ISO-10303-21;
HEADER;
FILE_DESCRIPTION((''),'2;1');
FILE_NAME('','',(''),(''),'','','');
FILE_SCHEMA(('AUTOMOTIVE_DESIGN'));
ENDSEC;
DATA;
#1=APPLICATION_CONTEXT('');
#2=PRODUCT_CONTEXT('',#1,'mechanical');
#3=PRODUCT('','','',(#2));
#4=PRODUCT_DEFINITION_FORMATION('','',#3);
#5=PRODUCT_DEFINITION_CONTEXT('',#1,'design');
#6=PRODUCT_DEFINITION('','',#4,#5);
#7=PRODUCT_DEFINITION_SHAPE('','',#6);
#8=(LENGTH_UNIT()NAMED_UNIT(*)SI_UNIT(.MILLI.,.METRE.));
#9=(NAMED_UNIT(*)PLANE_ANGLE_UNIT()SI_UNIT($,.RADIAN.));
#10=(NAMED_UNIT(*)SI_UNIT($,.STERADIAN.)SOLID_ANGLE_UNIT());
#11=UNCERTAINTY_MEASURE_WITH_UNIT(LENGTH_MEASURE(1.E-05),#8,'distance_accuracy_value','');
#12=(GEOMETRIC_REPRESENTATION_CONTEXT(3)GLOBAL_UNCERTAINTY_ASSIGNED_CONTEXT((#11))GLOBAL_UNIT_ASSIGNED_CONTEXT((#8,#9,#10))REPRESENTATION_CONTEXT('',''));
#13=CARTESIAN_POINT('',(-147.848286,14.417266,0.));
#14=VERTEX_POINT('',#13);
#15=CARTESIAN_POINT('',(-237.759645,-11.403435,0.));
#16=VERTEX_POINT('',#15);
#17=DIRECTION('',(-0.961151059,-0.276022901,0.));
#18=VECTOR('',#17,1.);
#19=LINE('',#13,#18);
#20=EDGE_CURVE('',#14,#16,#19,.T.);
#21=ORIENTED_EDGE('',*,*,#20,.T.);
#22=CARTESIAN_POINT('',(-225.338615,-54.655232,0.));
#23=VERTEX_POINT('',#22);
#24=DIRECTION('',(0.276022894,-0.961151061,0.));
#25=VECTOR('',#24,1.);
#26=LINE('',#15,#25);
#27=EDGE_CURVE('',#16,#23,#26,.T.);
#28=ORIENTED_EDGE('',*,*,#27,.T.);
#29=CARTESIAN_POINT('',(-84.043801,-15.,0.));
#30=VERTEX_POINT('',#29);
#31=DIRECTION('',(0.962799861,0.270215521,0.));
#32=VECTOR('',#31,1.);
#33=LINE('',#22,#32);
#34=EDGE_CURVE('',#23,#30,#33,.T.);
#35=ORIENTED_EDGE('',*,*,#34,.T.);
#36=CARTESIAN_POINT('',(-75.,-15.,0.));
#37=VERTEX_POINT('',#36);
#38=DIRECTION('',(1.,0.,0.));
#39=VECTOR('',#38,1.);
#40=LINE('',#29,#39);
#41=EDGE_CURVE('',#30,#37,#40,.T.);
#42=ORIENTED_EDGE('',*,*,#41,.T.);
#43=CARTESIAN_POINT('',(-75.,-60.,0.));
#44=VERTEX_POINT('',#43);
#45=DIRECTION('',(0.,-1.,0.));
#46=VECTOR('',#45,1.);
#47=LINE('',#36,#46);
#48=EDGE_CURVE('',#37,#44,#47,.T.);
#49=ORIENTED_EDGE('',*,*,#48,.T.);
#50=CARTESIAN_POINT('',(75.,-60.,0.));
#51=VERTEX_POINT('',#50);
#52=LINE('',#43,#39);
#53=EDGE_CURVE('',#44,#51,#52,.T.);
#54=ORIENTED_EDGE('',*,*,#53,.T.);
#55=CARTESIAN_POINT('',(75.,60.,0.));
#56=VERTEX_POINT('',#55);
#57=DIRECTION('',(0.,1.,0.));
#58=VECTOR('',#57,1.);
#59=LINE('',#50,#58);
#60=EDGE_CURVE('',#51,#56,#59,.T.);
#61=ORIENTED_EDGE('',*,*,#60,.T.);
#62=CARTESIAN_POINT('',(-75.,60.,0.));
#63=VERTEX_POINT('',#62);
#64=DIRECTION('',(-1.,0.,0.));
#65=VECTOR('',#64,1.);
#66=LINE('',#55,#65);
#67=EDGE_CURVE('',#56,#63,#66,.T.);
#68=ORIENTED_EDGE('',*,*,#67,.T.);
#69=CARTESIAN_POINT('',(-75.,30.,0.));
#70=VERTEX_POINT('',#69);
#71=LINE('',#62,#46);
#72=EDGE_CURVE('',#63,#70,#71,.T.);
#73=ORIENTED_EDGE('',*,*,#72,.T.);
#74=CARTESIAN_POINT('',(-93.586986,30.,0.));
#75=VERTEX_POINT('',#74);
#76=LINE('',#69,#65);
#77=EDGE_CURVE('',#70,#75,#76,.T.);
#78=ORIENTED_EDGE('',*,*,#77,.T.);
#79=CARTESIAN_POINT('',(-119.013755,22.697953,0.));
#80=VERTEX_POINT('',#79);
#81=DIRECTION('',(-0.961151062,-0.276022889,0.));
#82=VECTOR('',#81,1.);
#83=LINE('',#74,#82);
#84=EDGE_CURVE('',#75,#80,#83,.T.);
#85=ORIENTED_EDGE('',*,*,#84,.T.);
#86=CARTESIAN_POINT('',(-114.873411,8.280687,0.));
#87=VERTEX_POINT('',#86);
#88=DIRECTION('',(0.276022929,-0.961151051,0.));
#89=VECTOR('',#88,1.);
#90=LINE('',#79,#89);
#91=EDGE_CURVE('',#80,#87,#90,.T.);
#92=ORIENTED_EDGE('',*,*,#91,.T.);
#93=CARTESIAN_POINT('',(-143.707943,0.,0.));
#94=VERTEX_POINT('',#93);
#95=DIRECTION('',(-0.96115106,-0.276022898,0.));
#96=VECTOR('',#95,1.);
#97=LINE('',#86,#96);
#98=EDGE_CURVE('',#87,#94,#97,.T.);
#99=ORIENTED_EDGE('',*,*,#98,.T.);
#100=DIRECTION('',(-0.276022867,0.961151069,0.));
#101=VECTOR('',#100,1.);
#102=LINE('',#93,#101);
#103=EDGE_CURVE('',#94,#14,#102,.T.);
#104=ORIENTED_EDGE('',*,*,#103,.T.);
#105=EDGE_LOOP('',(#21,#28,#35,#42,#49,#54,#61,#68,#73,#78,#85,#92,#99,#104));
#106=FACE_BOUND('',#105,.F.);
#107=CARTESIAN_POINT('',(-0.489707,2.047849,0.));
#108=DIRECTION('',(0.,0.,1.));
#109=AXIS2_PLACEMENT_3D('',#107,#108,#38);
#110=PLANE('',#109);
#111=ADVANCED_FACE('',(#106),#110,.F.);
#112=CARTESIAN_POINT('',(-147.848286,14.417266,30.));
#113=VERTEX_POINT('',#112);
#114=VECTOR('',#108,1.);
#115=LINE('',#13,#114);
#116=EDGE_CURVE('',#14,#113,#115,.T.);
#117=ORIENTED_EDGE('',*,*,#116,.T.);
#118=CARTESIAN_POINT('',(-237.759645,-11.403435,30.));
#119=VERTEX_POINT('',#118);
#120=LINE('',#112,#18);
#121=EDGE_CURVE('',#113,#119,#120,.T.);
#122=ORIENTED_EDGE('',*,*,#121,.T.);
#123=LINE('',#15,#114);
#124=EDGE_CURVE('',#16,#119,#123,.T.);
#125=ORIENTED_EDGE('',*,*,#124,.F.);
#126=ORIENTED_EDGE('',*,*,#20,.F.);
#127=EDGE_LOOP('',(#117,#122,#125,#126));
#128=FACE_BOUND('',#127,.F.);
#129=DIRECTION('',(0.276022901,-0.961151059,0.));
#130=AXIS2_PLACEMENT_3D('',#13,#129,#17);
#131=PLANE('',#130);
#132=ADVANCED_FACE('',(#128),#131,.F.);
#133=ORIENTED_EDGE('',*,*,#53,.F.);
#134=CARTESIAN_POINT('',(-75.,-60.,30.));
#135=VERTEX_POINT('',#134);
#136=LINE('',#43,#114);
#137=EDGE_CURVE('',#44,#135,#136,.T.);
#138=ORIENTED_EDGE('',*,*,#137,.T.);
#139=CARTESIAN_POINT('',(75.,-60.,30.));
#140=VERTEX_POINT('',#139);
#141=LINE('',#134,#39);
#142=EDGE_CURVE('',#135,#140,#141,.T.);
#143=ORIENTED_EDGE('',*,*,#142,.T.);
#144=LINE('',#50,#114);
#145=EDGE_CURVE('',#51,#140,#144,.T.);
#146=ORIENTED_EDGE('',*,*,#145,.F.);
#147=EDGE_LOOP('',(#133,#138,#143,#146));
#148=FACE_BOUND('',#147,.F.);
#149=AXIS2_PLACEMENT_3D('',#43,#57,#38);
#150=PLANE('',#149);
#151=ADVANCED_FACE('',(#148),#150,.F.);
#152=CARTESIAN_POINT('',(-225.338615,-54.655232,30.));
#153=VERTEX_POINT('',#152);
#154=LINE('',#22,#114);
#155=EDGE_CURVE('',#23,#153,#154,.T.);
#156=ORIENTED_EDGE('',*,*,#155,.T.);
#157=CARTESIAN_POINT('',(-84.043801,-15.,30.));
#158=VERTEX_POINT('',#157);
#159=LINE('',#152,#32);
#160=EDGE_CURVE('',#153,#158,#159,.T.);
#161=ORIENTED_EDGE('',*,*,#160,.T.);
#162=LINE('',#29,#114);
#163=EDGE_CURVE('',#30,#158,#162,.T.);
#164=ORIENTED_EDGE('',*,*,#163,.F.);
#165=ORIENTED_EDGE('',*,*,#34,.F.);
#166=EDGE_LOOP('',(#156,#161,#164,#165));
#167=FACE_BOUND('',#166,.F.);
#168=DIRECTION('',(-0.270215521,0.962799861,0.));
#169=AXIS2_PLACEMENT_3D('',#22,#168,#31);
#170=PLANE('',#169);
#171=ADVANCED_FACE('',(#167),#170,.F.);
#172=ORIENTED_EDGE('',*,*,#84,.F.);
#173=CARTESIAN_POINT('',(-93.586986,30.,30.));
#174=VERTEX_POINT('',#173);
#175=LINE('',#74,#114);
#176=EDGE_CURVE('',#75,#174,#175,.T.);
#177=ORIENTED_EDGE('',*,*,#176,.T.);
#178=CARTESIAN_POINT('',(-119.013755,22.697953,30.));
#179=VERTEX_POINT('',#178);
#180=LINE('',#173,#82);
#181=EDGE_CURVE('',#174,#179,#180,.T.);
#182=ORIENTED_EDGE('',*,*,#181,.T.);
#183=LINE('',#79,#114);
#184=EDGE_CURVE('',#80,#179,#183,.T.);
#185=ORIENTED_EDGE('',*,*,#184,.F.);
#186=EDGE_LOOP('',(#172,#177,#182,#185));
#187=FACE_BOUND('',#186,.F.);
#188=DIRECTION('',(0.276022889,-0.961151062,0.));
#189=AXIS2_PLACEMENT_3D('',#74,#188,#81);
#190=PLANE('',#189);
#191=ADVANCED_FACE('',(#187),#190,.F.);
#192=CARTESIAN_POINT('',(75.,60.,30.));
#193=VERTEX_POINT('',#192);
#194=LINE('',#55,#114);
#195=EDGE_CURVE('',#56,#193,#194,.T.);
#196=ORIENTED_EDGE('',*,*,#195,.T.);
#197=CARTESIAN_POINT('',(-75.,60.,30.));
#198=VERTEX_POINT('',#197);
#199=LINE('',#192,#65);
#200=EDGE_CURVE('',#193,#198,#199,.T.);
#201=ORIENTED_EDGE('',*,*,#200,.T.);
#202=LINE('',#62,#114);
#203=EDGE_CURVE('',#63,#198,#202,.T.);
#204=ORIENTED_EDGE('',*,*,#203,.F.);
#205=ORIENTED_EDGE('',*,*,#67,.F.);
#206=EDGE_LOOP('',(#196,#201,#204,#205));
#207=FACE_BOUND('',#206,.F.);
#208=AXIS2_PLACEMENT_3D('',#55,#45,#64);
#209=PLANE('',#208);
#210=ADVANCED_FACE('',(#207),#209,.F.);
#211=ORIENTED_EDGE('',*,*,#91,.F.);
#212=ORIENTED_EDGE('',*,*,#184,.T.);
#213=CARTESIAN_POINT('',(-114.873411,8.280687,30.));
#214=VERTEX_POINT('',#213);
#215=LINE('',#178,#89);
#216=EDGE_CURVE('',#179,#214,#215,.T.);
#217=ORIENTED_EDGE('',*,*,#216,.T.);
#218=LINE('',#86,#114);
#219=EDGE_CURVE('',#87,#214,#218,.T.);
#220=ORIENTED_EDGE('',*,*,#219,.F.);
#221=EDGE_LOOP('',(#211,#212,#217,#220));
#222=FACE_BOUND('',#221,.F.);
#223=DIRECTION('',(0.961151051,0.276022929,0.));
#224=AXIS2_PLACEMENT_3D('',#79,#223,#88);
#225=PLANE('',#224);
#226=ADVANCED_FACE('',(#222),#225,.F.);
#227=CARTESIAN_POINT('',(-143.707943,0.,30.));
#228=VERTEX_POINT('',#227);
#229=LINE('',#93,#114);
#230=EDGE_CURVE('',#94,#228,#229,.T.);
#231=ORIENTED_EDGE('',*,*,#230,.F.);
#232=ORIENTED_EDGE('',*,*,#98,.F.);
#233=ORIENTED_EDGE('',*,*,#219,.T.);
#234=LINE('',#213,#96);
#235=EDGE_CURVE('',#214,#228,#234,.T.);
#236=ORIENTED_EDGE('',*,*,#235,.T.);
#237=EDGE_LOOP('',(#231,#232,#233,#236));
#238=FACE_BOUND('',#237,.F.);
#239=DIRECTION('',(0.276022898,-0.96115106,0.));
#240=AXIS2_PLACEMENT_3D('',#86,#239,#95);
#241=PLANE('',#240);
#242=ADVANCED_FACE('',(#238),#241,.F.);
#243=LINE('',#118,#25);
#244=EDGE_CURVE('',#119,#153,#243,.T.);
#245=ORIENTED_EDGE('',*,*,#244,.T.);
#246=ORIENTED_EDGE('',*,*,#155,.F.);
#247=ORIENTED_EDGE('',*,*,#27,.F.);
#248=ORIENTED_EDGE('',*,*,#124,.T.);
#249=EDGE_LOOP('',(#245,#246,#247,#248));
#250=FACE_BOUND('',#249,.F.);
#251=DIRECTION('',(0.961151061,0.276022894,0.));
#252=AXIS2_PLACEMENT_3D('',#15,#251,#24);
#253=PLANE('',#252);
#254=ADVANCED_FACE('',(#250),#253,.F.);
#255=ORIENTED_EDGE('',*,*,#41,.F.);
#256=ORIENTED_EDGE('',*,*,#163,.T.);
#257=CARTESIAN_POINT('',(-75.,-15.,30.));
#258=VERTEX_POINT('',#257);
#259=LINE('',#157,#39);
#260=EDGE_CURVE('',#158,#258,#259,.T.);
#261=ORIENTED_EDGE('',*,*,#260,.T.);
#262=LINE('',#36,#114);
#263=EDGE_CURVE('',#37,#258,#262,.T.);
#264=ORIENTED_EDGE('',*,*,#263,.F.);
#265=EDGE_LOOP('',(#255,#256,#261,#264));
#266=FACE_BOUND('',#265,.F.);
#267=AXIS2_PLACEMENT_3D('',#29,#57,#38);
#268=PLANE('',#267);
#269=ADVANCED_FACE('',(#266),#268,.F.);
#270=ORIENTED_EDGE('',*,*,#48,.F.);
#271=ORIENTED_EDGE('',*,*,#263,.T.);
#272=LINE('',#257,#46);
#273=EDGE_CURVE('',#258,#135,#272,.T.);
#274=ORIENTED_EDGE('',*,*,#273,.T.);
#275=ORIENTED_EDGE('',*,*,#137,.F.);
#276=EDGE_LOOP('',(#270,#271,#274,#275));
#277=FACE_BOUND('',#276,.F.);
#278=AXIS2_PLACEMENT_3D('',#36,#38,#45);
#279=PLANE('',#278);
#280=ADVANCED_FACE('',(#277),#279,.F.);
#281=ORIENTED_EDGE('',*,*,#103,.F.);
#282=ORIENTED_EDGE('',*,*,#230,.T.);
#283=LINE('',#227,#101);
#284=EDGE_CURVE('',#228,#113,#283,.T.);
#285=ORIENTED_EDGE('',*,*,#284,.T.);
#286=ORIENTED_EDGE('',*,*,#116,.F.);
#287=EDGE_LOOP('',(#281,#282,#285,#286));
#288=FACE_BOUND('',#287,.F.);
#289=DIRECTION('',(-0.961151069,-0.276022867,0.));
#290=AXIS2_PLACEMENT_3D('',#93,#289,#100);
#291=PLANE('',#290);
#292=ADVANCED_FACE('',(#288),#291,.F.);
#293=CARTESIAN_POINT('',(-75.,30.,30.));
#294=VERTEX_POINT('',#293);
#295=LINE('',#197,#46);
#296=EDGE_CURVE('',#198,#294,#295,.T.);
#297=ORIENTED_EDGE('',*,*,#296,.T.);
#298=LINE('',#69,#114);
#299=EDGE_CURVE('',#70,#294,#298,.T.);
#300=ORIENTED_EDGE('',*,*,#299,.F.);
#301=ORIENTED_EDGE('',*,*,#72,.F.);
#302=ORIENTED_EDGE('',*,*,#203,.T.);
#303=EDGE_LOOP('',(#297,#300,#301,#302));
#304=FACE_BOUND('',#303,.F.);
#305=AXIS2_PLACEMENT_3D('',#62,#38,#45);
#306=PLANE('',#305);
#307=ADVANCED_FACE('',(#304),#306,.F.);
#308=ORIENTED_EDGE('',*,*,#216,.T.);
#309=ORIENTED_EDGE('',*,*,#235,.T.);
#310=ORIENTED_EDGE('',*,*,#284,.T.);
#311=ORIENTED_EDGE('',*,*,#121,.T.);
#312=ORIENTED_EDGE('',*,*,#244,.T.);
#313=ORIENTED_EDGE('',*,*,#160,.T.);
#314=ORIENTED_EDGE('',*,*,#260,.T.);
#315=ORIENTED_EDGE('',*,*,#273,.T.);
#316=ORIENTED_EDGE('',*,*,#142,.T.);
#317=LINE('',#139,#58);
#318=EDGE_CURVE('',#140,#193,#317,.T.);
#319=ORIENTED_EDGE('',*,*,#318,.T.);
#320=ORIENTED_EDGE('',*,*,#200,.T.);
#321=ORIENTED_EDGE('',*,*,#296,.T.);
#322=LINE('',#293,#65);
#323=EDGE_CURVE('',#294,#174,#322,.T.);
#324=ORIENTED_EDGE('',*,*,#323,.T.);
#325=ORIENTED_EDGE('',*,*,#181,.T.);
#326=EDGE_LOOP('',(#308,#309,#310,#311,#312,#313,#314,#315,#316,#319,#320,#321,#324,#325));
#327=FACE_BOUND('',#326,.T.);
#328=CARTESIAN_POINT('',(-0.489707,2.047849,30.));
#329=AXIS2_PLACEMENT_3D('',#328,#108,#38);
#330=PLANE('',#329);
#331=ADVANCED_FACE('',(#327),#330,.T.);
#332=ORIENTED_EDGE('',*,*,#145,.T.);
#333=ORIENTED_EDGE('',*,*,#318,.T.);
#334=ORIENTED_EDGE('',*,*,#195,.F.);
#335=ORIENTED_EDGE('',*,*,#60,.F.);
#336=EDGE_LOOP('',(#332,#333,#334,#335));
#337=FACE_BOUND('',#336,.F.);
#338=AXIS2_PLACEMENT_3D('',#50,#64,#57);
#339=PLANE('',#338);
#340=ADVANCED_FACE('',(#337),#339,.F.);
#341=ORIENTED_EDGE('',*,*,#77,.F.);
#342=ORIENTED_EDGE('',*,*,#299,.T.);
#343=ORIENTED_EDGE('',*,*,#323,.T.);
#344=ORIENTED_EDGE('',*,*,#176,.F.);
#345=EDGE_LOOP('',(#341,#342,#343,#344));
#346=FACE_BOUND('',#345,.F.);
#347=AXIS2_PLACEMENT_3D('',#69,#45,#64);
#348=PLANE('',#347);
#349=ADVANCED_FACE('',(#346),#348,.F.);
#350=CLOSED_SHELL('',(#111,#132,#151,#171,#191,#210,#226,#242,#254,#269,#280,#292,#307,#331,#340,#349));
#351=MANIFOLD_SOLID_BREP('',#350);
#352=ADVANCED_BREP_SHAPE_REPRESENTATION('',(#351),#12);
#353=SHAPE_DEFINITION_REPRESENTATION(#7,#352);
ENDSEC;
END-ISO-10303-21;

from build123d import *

# Parameters (mm, degrees)
F1_DEPTH = 30


with BuildPart() as f1:
    # F0 (on Top) → F1 (new body)
    with BuildSketch(Plane.XY):
        Polygon((75, -60), (75, 60), (-75, 60), (-75, 30), (26.413014, 30), (26.413014, -15), (-75, -15), (-75, -60), align=None)
        Polygon((26.413014, 30), (-75, 30), (-93.586986, 30), (-119.013755, 22.697953), (-114.873411, 8.280687), (-143.707943, 0), (-147.848286, 14.417266), (-237.759645, -11.403435), (-225.338615, -54.655232), (-84.043801, -15), (-75, -15), (26.413014, -15), align=None)
    extrude(amount=F1_DEPTH)


solid = f1.part
